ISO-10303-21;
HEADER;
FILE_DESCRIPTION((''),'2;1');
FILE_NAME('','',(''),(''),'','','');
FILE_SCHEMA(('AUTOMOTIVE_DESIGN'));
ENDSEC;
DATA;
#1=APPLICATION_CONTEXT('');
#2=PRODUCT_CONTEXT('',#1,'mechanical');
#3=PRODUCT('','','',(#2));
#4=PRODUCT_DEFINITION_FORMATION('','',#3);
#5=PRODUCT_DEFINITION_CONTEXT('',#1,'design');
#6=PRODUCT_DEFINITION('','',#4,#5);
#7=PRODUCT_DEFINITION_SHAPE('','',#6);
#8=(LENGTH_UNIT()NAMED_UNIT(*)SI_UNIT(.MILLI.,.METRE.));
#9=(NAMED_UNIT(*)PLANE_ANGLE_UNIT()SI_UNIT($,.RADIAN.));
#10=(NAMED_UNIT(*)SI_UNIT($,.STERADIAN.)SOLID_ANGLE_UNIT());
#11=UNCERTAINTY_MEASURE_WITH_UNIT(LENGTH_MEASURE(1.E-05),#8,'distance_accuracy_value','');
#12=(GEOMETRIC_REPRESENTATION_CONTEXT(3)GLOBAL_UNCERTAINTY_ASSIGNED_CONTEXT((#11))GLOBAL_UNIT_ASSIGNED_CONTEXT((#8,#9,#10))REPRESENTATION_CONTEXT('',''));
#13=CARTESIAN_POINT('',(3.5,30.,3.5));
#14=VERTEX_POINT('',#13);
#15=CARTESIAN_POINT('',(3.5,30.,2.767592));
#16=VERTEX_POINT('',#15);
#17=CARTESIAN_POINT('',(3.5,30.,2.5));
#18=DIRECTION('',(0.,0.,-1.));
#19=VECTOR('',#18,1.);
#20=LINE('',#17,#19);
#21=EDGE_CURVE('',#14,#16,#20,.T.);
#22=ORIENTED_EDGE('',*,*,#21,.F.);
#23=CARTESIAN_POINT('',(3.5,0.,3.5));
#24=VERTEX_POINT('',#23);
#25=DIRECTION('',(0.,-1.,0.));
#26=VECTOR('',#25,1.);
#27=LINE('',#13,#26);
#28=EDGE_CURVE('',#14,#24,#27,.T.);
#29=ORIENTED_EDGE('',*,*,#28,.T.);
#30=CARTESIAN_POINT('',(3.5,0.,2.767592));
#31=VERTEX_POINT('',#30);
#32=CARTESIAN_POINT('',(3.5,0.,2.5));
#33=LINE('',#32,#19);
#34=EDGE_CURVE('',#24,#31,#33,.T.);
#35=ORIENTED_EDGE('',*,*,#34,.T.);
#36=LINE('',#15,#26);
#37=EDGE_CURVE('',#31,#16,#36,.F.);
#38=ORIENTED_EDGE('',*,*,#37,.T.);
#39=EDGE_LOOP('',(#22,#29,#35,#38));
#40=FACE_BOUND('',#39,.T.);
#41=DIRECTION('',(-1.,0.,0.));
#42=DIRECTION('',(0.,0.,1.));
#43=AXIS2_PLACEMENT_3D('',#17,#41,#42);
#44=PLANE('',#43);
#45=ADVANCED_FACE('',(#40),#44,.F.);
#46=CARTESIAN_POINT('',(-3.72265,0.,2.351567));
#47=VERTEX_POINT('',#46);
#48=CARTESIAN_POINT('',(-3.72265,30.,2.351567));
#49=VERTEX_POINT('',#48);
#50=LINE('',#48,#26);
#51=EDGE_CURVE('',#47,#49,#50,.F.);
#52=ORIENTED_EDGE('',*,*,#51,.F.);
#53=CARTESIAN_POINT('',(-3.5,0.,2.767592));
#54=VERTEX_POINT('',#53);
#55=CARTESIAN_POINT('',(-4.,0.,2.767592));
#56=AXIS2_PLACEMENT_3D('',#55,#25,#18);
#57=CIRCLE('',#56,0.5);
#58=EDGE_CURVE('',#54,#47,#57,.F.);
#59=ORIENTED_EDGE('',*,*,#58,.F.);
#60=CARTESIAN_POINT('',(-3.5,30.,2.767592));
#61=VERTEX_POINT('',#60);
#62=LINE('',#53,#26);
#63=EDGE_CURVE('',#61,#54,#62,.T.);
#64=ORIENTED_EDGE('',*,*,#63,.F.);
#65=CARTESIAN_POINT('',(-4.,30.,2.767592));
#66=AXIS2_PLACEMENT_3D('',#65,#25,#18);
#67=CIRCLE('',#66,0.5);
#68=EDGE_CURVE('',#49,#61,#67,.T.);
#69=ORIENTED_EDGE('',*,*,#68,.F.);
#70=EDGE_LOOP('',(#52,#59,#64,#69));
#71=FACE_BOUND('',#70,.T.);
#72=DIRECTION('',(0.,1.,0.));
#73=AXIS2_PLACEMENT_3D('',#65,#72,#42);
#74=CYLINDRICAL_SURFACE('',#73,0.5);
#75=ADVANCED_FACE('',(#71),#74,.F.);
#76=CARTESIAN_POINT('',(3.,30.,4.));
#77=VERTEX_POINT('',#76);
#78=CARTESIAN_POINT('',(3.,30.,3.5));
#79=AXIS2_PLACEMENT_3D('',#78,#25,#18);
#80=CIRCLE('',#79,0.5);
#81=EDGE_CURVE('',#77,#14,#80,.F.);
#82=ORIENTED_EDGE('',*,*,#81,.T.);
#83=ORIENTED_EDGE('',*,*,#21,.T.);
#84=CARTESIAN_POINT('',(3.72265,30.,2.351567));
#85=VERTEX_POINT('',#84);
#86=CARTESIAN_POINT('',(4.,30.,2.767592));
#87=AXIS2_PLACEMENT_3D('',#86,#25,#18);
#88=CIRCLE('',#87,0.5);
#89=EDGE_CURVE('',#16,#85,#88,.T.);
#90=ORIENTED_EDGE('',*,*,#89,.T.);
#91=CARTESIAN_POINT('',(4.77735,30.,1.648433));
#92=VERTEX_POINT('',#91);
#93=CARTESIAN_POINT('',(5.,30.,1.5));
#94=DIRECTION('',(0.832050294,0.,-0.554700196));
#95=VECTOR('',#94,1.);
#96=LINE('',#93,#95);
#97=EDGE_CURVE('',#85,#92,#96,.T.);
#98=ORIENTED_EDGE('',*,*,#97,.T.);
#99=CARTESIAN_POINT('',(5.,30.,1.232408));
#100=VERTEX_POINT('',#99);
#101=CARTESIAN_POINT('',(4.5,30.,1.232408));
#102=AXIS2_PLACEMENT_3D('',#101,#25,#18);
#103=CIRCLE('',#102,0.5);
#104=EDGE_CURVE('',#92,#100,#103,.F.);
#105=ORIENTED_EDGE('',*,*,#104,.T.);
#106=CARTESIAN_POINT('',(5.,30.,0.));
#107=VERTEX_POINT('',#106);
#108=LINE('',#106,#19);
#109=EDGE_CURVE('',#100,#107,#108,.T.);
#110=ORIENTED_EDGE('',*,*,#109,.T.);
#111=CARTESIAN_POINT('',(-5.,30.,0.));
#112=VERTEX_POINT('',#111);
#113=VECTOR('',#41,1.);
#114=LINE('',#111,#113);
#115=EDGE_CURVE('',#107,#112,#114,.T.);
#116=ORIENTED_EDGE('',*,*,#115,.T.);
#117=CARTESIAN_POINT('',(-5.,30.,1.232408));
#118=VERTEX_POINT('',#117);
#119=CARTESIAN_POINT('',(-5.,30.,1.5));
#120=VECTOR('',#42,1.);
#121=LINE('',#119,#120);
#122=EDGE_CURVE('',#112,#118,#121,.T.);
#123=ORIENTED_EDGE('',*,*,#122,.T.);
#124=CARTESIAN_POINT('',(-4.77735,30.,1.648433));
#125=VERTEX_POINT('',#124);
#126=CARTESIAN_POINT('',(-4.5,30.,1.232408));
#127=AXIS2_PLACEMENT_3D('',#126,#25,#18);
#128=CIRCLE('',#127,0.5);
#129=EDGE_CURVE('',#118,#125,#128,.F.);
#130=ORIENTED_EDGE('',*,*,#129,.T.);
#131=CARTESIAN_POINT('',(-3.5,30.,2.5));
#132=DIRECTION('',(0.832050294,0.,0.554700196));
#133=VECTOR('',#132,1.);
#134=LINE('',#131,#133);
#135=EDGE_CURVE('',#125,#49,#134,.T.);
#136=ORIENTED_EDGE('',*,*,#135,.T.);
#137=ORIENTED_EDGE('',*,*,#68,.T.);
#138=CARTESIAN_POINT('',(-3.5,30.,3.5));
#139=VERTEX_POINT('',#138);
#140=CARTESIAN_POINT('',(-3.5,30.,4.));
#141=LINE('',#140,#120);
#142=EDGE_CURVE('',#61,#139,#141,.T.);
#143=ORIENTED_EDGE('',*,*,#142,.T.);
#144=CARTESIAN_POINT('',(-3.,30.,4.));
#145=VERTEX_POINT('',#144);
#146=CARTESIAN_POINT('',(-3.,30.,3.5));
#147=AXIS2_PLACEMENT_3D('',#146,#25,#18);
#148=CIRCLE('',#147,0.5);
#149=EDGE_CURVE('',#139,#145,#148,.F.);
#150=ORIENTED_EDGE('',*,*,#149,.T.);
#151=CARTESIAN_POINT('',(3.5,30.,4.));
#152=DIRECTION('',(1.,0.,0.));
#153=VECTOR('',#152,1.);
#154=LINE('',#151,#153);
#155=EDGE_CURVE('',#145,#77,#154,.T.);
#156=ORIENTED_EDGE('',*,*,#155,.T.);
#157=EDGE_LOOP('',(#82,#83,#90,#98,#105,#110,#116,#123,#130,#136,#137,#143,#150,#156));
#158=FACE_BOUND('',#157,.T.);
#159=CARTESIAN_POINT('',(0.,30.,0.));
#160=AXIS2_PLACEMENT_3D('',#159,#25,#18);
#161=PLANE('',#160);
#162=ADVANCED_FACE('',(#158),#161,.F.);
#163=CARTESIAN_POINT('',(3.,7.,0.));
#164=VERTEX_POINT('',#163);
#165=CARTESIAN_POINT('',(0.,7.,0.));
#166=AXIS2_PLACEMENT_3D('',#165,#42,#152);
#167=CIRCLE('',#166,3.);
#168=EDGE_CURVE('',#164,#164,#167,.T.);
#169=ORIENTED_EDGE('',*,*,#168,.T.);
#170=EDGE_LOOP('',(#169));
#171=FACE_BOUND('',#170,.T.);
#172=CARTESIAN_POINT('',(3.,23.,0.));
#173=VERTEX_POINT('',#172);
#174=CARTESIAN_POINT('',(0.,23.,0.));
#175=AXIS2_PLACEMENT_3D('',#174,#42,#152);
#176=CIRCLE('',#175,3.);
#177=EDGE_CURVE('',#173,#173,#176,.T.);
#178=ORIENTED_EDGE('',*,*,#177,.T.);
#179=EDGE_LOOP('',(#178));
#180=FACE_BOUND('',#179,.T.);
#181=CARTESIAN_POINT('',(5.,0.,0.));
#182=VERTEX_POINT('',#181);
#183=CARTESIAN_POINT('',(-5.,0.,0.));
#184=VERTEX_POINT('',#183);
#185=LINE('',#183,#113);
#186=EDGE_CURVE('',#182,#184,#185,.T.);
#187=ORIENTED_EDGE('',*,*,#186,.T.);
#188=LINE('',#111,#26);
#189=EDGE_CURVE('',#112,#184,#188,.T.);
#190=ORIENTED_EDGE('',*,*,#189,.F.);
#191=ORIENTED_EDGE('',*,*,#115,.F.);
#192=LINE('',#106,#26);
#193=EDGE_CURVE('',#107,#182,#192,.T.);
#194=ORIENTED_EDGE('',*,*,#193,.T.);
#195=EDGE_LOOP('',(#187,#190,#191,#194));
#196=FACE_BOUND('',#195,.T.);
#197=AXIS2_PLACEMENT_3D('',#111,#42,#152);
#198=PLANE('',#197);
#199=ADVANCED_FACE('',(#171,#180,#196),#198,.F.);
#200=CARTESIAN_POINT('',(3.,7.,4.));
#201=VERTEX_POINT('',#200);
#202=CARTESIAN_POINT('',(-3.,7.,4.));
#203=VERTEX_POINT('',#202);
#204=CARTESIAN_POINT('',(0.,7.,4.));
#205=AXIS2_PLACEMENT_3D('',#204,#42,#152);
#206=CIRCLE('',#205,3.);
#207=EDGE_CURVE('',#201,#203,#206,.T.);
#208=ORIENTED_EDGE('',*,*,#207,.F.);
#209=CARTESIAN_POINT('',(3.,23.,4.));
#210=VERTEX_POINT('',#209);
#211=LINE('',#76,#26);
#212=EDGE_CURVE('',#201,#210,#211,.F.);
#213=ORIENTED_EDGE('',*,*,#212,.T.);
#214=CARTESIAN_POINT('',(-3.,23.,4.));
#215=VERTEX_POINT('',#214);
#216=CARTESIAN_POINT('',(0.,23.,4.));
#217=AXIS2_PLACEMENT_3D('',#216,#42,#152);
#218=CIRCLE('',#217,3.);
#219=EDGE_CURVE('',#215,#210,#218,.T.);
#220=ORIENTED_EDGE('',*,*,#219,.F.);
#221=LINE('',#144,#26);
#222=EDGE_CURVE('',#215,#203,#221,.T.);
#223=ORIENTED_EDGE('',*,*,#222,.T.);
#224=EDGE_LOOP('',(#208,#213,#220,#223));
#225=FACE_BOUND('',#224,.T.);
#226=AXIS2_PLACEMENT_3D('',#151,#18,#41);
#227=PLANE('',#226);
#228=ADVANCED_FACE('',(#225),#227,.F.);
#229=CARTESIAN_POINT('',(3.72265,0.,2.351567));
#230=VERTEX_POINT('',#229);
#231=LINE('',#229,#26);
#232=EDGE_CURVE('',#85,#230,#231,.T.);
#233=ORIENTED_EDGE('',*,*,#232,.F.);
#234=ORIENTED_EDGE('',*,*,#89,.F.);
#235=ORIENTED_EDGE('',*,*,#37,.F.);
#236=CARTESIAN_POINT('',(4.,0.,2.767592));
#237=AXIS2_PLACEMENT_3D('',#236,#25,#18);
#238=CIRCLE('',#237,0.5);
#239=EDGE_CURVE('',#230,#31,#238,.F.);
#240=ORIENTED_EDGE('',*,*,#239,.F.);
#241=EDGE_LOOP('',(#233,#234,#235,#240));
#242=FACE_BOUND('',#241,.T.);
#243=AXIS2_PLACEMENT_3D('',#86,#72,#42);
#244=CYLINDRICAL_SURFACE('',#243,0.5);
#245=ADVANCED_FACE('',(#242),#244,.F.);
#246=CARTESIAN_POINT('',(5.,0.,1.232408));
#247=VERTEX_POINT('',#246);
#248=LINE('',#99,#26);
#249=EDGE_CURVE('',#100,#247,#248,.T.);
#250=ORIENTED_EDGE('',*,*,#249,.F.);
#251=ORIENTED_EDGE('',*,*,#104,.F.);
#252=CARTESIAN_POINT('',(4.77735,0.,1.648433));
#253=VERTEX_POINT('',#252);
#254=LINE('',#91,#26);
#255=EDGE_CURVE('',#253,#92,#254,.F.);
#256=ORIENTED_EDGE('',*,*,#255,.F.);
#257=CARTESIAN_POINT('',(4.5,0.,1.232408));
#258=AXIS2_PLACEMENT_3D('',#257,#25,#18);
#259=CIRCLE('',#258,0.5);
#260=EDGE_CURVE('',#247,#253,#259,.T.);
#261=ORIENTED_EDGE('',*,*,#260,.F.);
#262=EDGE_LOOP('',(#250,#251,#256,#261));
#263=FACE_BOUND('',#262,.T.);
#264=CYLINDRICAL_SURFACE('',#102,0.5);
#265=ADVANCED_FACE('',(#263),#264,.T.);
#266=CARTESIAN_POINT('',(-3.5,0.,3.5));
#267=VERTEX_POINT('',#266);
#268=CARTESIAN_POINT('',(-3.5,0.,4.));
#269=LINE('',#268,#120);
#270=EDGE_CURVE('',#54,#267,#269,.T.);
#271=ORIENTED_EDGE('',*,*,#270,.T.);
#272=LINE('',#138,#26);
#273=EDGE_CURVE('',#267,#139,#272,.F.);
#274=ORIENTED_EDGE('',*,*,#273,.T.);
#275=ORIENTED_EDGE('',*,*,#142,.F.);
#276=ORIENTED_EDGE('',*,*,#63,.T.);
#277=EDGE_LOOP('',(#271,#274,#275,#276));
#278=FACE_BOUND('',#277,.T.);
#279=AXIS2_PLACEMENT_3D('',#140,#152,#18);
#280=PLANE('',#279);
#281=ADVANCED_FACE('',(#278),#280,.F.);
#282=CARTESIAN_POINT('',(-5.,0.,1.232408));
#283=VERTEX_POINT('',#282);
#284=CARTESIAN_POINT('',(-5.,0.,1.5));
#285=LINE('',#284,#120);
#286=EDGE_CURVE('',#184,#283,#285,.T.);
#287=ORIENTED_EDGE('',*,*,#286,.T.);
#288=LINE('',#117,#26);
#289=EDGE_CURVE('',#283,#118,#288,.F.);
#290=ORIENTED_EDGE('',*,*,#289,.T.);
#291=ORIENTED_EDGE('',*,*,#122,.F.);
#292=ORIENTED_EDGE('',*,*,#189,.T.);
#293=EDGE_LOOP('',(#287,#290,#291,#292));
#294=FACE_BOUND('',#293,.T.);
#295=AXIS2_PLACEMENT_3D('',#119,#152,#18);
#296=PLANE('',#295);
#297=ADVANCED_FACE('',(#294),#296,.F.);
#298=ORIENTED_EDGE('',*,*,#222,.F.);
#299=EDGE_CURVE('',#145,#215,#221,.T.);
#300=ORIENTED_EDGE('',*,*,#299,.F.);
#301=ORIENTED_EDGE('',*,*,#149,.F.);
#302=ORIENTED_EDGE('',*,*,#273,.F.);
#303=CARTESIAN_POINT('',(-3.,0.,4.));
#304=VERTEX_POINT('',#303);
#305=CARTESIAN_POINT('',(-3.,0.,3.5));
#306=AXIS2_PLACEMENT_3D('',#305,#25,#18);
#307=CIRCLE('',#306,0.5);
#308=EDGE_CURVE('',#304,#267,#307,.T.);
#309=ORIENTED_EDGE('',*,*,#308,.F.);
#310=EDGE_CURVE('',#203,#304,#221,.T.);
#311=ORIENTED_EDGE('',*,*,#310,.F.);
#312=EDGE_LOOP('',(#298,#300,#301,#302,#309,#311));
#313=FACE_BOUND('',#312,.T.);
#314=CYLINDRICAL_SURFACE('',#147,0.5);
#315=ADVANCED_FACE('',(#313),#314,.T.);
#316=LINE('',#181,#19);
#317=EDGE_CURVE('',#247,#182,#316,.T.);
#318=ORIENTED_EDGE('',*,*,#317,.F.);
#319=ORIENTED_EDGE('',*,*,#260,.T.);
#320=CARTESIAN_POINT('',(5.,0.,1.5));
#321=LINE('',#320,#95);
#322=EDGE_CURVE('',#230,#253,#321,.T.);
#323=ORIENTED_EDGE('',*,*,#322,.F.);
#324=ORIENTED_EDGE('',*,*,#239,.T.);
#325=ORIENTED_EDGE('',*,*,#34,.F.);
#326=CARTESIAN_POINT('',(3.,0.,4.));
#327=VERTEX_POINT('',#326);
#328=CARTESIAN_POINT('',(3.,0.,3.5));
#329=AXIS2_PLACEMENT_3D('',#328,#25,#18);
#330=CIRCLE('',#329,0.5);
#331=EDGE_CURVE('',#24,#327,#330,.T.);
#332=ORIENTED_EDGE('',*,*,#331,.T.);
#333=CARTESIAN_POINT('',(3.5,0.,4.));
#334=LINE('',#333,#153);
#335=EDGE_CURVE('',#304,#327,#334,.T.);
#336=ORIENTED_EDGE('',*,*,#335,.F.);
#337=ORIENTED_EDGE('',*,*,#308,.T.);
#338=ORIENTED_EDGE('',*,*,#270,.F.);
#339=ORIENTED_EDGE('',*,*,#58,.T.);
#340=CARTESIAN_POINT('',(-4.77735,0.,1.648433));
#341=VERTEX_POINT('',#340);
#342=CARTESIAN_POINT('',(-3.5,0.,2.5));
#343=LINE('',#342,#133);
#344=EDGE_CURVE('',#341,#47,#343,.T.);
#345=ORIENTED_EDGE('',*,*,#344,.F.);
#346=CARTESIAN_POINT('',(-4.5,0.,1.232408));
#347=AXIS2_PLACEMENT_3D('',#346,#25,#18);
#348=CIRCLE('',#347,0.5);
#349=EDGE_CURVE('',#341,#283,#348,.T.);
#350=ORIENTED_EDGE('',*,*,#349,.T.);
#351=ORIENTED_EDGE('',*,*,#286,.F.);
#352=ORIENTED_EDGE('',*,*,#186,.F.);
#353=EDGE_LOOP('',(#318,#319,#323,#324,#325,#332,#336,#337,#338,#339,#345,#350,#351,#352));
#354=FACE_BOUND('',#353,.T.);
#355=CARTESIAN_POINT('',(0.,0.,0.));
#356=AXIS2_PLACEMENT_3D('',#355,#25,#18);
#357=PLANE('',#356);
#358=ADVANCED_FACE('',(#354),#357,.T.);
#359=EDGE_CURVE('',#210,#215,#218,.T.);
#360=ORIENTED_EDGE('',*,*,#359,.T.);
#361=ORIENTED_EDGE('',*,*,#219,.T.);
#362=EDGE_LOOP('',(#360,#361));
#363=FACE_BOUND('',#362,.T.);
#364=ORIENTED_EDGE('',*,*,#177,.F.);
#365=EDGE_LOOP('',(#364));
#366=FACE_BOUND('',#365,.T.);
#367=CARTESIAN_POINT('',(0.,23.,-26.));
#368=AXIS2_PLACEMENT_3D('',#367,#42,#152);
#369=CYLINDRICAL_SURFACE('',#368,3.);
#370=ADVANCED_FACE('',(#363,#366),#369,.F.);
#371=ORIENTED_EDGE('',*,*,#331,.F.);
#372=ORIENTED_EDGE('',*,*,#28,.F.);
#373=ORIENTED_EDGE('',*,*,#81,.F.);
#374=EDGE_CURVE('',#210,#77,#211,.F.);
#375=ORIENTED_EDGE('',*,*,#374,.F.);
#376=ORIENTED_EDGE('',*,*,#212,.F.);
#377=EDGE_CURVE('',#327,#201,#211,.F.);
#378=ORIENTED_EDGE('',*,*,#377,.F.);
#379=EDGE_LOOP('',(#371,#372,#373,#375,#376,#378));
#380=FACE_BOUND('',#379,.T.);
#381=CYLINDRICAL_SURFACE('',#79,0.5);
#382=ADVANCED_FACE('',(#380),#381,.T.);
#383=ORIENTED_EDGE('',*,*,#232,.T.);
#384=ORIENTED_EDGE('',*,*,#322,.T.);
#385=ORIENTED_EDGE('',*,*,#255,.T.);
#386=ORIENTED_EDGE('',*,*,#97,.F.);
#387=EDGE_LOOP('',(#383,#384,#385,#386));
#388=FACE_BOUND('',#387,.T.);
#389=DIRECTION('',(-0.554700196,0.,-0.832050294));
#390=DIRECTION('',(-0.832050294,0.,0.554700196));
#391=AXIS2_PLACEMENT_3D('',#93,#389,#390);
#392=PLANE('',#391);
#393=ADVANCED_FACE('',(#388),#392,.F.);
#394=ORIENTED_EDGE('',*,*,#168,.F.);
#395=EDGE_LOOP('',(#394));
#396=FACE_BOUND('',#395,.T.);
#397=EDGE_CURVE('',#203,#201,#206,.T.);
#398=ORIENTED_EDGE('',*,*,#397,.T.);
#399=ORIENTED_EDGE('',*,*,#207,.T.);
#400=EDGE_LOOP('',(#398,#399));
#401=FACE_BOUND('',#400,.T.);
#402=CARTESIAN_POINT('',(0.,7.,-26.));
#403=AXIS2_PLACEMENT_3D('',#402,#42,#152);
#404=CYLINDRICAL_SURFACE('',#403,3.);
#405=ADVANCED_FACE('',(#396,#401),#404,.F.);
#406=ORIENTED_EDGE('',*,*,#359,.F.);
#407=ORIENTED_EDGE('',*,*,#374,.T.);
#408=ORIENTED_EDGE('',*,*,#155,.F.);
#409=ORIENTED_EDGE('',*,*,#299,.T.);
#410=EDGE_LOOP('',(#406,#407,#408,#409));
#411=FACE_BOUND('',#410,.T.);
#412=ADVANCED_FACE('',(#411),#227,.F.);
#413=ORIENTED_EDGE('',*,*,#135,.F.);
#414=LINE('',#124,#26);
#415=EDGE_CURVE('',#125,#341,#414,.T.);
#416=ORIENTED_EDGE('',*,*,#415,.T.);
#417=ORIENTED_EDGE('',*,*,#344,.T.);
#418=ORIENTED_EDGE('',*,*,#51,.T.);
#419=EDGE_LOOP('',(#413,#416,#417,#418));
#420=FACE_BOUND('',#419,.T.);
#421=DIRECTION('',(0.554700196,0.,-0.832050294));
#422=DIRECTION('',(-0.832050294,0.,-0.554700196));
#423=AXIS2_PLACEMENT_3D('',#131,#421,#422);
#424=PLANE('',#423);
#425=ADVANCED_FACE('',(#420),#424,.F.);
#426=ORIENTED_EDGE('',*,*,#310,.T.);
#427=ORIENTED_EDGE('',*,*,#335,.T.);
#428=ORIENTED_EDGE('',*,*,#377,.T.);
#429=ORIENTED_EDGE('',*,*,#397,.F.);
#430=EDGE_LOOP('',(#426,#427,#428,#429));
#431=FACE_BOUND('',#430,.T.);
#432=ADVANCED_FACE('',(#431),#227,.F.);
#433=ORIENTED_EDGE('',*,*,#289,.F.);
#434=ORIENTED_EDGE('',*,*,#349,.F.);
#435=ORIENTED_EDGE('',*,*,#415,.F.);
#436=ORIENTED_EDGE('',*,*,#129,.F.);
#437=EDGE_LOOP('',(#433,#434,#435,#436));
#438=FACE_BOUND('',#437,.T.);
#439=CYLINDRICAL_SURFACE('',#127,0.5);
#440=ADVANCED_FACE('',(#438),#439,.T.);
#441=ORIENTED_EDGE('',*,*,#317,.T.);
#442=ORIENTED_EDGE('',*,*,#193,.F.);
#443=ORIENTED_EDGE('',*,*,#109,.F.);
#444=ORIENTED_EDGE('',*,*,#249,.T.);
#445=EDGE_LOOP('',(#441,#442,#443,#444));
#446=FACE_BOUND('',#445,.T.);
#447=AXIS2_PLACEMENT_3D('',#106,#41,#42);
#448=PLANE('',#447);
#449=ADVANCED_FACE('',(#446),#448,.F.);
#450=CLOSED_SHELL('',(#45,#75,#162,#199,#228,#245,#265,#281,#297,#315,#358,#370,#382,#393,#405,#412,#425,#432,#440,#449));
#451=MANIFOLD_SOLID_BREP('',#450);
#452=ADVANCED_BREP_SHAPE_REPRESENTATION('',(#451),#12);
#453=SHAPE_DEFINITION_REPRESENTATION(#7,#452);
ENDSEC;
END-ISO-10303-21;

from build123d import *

# Parameters (mm, degrees)
EXTRUDE_1_DEPTH     = 30
FILLET_1_R          = 0.5
SKETCH_2_R          = 3
CUT_EXTRUDE_1_DEPTH = 30


with BuildPart() as part:
    # Эскиз1 → Бобышка-Вытянуть1 (new body)
    with BuildSketch(Plane(origin=(0, 0, 0), x_dir=(1, 0, 0), z_dir=(0, 1, 0))):
        Polygon((-5, 0), (5, 0), (5, -1.5), (3.5, -2.5), (3.5, -4), (-3.5, -4), (-3.5, -2.5), (-5, -1.5), align=None)
    extrude(amount=EXTRUDE_1_DEPTH)

    # Скругление1
    fillet_1_edges = [part.edges().sort_by_distance(p)[0] for p in [
        (5, 15, 1.5),
        (3.5, 15, 2.5),
        (3.5, 15, 4),
        (-3.5, 15, 4),
        (-3.5, 15, 2.5),
        (-5, 15, 1.5),
    ]]
    fillet(fillet_1_edges, radius=FILLET_1_R)

    # Эскиз2 → Вырез-Вытянуть1 (cut)
    with BuildSketch(Plane.XY.offset(4)):
        with Locations((0, 23)):
            Circle(SKETCH_2_R)
        with Locations((0, 7)):
            Circle(SKETCH_2_R)
    extrude(amount=-CUT_EXTRUDE_1_DEPTH, mode=Mode.SUBTRACT)


solid = part.part
